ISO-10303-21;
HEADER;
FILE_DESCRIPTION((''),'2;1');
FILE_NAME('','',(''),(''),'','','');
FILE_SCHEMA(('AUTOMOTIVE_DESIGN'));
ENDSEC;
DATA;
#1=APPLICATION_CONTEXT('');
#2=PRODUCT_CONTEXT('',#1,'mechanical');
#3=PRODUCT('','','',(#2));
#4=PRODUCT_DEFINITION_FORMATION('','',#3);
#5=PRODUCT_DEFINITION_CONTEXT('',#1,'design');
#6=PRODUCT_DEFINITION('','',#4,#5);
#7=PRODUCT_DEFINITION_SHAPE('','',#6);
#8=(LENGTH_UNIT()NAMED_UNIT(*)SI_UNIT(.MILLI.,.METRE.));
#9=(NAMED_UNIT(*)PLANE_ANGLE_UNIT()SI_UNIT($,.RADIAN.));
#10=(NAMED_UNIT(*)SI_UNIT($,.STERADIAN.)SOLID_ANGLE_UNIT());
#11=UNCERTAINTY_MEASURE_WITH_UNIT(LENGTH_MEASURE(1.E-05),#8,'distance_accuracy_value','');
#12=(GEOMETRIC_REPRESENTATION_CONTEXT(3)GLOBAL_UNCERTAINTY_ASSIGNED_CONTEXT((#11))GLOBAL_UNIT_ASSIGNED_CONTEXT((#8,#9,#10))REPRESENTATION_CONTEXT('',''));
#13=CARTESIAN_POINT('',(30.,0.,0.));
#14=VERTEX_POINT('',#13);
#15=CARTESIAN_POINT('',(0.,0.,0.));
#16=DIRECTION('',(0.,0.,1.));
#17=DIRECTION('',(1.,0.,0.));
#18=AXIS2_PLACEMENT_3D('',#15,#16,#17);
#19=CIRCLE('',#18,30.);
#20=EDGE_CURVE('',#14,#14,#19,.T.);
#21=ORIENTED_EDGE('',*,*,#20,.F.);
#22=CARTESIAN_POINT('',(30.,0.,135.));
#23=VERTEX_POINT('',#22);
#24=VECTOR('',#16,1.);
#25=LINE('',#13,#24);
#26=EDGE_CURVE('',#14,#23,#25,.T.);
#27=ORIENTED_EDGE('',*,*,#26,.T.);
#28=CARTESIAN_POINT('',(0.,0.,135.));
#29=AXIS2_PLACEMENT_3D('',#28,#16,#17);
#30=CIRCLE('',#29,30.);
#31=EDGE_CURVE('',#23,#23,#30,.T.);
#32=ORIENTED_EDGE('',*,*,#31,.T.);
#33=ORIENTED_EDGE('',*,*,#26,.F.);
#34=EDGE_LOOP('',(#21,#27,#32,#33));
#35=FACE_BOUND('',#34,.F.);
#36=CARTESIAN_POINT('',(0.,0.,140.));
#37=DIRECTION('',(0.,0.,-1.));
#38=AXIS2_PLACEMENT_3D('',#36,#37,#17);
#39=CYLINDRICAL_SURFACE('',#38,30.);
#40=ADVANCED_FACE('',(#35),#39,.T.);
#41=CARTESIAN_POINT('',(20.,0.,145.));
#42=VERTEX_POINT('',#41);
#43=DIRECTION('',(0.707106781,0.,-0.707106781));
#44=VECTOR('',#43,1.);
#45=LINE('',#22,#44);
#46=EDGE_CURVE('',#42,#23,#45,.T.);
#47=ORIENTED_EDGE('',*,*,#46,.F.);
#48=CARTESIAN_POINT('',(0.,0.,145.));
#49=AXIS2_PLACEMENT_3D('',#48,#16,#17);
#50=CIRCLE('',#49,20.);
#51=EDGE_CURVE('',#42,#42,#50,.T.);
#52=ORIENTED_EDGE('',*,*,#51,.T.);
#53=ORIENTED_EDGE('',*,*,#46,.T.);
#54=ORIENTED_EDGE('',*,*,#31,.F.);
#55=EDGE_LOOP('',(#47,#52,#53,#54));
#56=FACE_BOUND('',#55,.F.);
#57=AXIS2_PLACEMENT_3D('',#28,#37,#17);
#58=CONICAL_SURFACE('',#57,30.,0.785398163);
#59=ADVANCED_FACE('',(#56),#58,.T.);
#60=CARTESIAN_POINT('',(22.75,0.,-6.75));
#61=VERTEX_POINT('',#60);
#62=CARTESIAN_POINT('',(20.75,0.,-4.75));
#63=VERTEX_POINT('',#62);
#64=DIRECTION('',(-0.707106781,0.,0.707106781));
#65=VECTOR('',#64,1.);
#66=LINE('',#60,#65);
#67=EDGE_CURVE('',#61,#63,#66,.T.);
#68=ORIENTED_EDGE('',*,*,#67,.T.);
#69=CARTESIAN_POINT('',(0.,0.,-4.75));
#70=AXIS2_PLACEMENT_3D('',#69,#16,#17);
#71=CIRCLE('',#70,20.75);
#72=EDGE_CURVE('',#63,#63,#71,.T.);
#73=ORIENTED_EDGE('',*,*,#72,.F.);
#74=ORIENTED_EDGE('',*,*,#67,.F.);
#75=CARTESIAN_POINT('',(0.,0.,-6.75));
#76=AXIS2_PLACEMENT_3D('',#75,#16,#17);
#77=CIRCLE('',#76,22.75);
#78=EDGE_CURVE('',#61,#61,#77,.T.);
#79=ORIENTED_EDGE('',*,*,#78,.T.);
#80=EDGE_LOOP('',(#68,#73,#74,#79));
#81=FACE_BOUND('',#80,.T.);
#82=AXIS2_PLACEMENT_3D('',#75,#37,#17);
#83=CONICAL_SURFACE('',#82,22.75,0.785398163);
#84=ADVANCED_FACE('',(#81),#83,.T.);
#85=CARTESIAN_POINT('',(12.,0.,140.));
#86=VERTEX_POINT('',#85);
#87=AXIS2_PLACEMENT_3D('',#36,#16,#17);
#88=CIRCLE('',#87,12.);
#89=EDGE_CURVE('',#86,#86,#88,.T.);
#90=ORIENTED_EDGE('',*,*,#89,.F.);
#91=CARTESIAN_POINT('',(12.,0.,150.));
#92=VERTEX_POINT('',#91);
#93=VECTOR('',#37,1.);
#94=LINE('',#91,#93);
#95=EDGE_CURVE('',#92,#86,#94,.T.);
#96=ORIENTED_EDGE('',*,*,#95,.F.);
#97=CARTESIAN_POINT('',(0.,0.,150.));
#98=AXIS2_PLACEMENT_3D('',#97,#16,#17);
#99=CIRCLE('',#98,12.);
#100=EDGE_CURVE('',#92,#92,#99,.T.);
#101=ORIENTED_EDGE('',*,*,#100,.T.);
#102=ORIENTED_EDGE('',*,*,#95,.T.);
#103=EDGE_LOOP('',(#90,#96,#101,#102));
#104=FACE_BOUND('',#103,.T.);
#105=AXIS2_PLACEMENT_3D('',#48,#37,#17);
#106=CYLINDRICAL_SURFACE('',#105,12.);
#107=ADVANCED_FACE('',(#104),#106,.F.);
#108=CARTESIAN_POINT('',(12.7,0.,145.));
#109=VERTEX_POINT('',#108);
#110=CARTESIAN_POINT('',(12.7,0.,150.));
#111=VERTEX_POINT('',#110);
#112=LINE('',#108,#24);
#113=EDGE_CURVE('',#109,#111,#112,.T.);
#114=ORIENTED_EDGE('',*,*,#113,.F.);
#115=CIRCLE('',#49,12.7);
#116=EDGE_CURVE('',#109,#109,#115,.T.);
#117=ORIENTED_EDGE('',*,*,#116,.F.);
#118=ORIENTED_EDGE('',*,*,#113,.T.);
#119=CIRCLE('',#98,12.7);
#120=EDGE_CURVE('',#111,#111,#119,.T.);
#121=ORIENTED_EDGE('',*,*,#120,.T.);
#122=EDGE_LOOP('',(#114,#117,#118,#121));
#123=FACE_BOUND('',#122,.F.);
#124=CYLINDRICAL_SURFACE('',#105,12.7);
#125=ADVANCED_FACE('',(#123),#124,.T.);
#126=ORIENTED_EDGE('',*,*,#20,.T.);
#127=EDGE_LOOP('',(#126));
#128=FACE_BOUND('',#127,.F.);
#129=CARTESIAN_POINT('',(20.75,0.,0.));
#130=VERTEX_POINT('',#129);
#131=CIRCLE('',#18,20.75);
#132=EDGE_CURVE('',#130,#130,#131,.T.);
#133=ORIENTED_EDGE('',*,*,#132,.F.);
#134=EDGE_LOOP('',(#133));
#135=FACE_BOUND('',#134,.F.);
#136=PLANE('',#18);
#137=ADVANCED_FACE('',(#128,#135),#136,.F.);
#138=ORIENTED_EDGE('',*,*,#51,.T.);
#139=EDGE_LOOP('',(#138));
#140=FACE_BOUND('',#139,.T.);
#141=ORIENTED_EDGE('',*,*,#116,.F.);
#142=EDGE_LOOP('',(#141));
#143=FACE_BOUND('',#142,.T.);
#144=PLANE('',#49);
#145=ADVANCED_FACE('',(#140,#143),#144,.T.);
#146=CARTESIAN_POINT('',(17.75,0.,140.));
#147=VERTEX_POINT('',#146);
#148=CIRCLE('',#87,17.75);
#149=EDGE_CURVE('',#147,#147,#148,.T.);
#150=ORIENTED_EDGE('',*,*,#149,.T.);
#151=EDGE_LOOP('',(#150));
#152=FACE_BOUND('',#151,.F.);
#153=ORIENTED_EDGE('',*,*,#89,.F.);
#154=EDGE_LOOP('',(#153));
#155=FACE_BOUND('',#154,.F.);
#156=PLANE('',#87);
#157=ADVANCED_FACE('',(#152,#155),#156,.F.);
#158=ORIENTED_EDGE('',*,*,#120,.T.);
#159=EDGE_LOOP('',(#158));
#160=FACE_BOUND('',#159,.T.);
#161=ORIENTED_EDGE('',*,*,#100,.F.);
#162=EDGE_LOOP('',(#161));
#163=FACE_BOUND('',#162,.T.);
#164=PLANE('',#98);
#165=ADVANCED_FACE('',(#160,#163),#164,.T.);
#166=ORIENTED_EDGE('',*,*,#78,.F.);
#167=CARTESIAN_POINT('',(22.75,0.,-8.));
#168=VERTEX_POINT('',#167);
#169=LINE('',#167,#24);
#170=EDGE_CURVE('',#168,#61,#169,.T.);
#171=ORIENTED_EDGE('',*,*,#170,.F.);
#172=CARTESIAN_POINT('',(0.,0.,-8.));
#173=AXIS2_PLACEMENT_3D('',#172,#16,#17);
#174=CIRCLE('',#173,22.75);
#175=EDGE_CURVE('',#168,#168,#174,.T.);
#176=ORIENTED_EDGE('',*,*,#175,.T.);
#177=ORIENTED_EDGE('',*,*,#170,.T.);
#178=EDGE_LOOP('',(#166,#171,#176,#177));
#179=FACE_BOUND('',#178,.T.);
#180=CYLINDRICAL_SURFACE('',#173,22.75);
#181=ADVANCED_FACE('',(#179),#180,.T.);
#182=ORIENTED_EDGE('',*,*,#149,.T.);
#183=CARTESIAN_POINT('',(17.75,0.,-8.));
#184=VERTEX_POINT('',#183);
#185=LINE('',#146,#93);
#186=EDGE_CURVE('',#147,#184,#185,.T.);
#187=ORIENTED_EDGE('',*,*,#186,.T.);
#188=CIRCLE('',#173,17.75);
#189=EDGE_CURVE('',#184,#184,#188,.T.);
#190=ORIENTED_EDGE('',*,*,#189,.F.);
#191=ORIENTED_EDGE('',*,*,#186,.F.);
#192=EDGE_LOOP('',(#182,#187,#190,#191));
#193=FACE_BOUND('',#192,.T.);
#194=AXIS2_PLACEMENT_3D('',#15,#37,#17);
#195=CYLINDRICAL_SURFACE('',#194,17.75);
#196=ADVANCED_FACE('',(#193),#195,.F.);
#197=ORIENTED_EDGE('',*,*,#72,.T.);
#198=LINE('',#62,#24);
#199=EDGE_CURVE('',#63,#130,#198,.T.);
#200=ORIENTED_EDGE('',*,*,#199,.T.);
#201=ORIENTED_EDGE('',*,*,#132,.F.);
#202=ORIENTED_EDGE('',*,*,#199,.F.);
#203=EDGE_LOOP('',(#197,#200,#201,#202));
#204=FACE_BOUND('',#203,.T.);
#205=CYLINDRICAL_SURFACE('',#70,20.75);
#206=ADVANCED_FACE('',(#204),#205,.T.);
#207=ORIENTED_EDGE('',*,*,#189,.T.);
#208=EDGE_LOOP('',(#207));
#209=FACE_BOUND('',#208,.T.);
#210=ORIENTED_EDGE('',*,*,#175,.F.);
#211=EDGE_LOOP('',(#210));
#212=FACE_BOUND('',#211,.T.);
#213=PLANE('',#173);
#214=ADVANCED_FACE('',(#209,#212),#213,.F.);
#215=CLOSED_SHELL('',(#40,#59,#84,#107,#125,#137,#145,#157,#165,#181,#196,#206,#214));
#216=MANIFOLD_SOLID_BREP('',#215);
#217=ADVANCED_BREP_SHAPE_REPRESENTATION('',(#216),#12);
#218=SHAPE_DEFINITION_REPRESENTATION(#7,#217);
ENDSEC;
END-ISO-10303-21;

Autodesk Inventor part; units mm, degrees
ref_plane "YZ Plane" through (0, 0, 0) normal (1, 0, 0) x (0, 1, 0)
ref_plane "XZ Plane" through (0, 0, 0) normal (0, 1, 0) x (-1, 0, 0)
ref_plane "XY Plane" through (0, 0, 0) normal (0, 0, 1) x (1, 0, 0)
sketch "Sketch1" plane through (0, 0, 0) normal (0, 0, 1) x (1, 0, 0)
  circle A0 centre (0, 0) radius 17.75
  circle A1 centre (0, 0) radius 30
  dimension "d0" = 35.5
  dimension "d1" = 60
extrude "Extrusion1" add sketch "Sketch1" along normal blind 140
sketch "Sketch2" plane through (0, 0, 0) normal (0, 0, -1) x (-1, 0, 0)
  point P0 (0, 0)
sketch "Sketch3" plane through (0, 0, 0) normal (0, 1, 0) x (-1, 0, 0)
  line L0 (0, -10.8) -> (0, 8.8) construction
  line L1 (-30.85, 0) -> (25.85, 0) construction
  line L2 (-17.75, 140) -> (17.75, 140) construction
  line L3 (17.75, 0) -> (-17.75, 0) construction
  line L4 (-17.75, 0) -> (-17.75, -8)
  line L5 (-17.75, -8) -> (-22.75, -8)
  line L6 (-22.75, -8) -> (-22.75, -6.75)
  line L7 (-17.75, 0) -> (-20.75, 0)
  line L8 (-22.75, -6.75) -> (-20.75, -4.75)
  line L9 (-22.75, -6.75) -> (-19.9216, -6.75) construction
  line L10 (-20.75, -4.75) -> (-20.75, 0)
  point P0 (0, 0)
  dimension "d4" = 8
  dimension "d5" = 5
  dimension "d6" = 1.25
  dimension "d7" = 3
  dimension "d8" = 45
revolve "Revolution1" add sketch "Sketch3" angle 360 about axis through (0, 0, 0) along (0, 0, 1)
sketch "Sketch5" plane through (0, 0, 140) normal (0, 0, 1) x (1, 0, 0)
  circle A0 centre (0, 0) radius 12
  circle A1 centre (0, 0) radius 30 projected
  dimension "d22" = 24
extrude "Extrusion2" add sketch "Sketch5" along normal blind 5
sketch "Sketch6" plane through (0, 0, 145) normal (0, 0, 1) x (1, 0, 0)
  circle A0 centre (0, 0) radius 12 projected
  circle A1 centre (0, 0) radius 12.7
  dimension "d25" = 25.4
extrude "Extrusion3" add sketch "Sketch6" along normal blind 5
chamfer "Chamfer1" distance 10 angle 45 1 edges at (-30, 0, 145)
properties part number "MVX-TL and MVX-TV1X-coarse-reference"
